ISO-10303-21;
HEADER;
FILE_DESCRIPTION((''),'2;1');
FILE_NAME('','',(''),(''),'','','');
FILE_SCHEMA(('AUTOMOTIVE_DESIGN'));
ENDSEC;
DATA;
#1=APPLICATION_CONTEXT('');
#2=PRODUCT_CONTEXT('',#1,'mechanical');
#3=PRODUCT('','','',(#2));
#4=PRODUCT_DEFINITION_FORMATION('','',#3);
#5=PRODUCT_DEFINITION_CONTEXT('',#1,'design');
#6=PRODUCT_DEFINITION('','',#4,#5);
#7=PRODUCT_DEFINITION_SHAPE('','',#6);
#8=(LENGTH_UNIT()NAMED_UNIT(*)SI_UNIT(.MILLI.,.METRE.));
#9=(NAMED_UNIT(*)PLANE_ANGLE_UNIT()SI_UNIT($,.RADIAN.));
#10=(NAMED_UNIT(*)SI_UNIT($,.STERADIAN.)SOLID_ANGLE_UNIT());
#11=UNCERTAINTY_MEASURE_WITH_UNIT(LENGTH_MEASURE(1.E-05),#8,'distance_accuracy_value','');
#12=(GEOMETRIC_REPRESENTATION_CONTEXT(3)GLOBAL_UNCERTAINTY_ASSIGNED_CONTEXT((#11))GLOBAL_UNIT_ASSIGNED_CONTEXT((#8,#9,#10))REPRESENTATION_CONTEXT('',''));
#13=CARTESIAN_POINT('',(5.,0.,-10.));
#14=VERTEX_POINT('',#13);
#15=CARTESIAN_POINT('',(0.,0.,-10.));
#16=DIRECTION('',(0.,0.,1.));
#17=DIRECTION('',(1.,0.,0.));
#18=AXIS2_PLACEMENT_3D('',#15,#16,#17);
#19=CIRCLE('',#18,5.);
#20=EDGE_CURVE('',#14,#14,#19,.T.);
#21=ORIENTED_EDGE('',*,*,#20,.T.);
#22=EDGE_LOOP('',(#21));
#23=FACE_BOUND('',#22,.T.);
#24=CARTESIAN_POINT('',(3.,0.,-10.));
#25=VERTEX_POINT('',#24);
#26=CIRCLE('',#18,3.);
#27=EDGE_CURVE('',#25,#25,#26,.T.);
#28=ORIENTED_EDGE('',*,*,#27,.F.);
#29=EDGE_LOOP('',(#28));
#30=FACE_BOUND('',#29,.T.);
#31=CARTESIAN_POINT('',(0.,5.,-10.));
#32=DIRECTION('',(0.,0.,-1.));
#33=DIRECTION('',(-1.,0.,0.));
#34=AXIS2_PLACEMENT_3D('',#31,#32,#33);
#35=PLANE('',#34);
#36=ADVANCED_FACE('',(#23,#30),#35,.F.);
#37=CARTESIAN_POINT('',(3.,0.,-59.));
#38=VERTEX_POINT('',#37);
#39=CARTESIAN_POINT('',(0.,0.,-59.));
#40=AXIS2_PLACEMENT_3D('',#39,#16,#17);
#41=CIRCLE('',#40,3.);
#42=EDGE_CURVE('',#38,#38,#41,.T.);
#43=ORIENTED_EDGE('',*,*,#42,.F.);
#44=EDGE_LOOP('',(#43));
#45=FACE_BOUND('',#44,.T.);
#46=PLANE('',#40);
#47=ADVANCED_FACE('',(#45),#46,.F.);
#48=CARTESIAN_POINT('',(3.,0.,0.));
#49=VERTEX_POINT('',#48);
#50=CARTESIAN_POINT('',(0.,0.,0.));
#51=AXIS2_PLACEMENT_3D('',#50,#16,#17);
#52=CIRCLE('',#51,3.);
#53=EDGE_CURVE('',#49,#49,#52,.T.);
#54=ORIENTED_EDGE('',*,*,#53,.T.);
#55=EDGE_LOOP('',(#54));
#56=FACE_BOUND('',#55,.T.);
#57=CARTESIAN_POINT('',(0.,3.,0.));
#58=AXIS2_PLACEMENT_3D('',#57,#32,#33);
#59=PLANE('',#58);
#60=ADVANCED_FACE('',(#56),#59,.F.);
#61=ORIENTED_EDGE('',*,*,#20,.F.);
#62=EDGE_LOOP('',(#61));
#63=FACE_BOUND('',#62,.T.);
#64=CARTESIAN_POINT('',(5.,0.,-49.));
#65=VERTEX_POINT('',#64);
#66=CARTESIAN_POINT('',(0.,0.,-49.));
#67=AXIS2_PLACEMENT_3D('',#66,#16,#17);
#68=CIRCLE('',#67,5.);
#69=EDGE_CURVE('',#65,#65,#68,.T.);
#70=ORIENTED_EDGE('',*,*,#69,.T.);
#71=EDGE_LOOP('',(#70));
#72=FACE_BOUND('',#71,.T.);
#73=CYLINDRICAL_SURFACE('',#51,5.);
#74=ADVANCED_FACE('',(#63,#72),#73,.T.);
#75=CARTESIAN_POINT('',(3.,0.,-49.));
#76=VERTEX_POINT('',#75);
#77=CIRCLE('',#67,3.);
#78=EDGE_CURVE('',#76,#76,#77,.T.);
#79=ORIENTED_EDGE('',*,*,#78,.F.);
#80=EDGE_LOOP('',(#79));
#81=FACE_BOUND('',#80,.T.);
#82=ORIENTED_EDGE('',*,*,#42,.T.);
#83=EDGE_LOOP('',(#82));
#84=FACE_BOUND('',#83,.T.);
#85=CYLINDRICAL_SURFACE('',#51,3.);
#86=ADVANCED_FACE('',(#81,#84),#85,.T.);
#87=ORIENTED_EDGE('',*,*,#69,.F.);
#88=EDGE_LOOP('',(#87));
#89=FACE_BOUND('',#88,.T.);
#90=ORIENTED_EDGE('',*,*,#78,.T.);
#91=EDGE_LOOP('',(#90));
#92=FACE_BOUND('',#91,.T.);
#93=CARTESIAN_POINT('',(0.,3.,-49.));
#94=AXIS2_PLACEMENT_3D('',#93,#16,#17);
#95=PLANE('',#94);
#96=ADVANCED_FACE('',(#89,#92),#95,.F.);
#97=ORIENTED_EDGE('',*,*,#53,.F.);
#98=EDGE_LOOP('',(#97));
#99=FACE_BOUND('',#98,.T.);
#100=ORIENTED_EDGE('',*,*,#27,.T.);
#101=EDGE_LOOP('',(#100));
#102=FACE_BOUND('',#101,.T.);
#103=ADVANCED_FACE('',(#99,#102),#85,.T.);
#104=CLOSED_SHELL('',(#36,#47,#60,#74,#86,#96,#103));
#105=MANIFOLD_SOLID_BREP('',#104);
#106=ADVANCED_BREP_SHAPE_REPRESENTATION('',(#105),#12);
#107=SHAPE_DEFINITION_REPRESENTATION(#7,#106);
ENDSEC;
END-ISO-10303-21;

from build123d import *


with BuildPart() as part:
    # Sketch6 → Revolve1 (revolve)
    with BuildSketch(Plane(origin=(0, 0, 0), x_dir=(0, 0, -1), z_dir=(1, 0, 0))):
        Polygon((0, 0), (59, 0), (59, 3), (49, 3), (49, 5), (10, 5), (10, 3), (0, 3), align=None)
    revolve(axis=Axis((0, 0, 0), (0, 0, -1)))


solid = part.part
